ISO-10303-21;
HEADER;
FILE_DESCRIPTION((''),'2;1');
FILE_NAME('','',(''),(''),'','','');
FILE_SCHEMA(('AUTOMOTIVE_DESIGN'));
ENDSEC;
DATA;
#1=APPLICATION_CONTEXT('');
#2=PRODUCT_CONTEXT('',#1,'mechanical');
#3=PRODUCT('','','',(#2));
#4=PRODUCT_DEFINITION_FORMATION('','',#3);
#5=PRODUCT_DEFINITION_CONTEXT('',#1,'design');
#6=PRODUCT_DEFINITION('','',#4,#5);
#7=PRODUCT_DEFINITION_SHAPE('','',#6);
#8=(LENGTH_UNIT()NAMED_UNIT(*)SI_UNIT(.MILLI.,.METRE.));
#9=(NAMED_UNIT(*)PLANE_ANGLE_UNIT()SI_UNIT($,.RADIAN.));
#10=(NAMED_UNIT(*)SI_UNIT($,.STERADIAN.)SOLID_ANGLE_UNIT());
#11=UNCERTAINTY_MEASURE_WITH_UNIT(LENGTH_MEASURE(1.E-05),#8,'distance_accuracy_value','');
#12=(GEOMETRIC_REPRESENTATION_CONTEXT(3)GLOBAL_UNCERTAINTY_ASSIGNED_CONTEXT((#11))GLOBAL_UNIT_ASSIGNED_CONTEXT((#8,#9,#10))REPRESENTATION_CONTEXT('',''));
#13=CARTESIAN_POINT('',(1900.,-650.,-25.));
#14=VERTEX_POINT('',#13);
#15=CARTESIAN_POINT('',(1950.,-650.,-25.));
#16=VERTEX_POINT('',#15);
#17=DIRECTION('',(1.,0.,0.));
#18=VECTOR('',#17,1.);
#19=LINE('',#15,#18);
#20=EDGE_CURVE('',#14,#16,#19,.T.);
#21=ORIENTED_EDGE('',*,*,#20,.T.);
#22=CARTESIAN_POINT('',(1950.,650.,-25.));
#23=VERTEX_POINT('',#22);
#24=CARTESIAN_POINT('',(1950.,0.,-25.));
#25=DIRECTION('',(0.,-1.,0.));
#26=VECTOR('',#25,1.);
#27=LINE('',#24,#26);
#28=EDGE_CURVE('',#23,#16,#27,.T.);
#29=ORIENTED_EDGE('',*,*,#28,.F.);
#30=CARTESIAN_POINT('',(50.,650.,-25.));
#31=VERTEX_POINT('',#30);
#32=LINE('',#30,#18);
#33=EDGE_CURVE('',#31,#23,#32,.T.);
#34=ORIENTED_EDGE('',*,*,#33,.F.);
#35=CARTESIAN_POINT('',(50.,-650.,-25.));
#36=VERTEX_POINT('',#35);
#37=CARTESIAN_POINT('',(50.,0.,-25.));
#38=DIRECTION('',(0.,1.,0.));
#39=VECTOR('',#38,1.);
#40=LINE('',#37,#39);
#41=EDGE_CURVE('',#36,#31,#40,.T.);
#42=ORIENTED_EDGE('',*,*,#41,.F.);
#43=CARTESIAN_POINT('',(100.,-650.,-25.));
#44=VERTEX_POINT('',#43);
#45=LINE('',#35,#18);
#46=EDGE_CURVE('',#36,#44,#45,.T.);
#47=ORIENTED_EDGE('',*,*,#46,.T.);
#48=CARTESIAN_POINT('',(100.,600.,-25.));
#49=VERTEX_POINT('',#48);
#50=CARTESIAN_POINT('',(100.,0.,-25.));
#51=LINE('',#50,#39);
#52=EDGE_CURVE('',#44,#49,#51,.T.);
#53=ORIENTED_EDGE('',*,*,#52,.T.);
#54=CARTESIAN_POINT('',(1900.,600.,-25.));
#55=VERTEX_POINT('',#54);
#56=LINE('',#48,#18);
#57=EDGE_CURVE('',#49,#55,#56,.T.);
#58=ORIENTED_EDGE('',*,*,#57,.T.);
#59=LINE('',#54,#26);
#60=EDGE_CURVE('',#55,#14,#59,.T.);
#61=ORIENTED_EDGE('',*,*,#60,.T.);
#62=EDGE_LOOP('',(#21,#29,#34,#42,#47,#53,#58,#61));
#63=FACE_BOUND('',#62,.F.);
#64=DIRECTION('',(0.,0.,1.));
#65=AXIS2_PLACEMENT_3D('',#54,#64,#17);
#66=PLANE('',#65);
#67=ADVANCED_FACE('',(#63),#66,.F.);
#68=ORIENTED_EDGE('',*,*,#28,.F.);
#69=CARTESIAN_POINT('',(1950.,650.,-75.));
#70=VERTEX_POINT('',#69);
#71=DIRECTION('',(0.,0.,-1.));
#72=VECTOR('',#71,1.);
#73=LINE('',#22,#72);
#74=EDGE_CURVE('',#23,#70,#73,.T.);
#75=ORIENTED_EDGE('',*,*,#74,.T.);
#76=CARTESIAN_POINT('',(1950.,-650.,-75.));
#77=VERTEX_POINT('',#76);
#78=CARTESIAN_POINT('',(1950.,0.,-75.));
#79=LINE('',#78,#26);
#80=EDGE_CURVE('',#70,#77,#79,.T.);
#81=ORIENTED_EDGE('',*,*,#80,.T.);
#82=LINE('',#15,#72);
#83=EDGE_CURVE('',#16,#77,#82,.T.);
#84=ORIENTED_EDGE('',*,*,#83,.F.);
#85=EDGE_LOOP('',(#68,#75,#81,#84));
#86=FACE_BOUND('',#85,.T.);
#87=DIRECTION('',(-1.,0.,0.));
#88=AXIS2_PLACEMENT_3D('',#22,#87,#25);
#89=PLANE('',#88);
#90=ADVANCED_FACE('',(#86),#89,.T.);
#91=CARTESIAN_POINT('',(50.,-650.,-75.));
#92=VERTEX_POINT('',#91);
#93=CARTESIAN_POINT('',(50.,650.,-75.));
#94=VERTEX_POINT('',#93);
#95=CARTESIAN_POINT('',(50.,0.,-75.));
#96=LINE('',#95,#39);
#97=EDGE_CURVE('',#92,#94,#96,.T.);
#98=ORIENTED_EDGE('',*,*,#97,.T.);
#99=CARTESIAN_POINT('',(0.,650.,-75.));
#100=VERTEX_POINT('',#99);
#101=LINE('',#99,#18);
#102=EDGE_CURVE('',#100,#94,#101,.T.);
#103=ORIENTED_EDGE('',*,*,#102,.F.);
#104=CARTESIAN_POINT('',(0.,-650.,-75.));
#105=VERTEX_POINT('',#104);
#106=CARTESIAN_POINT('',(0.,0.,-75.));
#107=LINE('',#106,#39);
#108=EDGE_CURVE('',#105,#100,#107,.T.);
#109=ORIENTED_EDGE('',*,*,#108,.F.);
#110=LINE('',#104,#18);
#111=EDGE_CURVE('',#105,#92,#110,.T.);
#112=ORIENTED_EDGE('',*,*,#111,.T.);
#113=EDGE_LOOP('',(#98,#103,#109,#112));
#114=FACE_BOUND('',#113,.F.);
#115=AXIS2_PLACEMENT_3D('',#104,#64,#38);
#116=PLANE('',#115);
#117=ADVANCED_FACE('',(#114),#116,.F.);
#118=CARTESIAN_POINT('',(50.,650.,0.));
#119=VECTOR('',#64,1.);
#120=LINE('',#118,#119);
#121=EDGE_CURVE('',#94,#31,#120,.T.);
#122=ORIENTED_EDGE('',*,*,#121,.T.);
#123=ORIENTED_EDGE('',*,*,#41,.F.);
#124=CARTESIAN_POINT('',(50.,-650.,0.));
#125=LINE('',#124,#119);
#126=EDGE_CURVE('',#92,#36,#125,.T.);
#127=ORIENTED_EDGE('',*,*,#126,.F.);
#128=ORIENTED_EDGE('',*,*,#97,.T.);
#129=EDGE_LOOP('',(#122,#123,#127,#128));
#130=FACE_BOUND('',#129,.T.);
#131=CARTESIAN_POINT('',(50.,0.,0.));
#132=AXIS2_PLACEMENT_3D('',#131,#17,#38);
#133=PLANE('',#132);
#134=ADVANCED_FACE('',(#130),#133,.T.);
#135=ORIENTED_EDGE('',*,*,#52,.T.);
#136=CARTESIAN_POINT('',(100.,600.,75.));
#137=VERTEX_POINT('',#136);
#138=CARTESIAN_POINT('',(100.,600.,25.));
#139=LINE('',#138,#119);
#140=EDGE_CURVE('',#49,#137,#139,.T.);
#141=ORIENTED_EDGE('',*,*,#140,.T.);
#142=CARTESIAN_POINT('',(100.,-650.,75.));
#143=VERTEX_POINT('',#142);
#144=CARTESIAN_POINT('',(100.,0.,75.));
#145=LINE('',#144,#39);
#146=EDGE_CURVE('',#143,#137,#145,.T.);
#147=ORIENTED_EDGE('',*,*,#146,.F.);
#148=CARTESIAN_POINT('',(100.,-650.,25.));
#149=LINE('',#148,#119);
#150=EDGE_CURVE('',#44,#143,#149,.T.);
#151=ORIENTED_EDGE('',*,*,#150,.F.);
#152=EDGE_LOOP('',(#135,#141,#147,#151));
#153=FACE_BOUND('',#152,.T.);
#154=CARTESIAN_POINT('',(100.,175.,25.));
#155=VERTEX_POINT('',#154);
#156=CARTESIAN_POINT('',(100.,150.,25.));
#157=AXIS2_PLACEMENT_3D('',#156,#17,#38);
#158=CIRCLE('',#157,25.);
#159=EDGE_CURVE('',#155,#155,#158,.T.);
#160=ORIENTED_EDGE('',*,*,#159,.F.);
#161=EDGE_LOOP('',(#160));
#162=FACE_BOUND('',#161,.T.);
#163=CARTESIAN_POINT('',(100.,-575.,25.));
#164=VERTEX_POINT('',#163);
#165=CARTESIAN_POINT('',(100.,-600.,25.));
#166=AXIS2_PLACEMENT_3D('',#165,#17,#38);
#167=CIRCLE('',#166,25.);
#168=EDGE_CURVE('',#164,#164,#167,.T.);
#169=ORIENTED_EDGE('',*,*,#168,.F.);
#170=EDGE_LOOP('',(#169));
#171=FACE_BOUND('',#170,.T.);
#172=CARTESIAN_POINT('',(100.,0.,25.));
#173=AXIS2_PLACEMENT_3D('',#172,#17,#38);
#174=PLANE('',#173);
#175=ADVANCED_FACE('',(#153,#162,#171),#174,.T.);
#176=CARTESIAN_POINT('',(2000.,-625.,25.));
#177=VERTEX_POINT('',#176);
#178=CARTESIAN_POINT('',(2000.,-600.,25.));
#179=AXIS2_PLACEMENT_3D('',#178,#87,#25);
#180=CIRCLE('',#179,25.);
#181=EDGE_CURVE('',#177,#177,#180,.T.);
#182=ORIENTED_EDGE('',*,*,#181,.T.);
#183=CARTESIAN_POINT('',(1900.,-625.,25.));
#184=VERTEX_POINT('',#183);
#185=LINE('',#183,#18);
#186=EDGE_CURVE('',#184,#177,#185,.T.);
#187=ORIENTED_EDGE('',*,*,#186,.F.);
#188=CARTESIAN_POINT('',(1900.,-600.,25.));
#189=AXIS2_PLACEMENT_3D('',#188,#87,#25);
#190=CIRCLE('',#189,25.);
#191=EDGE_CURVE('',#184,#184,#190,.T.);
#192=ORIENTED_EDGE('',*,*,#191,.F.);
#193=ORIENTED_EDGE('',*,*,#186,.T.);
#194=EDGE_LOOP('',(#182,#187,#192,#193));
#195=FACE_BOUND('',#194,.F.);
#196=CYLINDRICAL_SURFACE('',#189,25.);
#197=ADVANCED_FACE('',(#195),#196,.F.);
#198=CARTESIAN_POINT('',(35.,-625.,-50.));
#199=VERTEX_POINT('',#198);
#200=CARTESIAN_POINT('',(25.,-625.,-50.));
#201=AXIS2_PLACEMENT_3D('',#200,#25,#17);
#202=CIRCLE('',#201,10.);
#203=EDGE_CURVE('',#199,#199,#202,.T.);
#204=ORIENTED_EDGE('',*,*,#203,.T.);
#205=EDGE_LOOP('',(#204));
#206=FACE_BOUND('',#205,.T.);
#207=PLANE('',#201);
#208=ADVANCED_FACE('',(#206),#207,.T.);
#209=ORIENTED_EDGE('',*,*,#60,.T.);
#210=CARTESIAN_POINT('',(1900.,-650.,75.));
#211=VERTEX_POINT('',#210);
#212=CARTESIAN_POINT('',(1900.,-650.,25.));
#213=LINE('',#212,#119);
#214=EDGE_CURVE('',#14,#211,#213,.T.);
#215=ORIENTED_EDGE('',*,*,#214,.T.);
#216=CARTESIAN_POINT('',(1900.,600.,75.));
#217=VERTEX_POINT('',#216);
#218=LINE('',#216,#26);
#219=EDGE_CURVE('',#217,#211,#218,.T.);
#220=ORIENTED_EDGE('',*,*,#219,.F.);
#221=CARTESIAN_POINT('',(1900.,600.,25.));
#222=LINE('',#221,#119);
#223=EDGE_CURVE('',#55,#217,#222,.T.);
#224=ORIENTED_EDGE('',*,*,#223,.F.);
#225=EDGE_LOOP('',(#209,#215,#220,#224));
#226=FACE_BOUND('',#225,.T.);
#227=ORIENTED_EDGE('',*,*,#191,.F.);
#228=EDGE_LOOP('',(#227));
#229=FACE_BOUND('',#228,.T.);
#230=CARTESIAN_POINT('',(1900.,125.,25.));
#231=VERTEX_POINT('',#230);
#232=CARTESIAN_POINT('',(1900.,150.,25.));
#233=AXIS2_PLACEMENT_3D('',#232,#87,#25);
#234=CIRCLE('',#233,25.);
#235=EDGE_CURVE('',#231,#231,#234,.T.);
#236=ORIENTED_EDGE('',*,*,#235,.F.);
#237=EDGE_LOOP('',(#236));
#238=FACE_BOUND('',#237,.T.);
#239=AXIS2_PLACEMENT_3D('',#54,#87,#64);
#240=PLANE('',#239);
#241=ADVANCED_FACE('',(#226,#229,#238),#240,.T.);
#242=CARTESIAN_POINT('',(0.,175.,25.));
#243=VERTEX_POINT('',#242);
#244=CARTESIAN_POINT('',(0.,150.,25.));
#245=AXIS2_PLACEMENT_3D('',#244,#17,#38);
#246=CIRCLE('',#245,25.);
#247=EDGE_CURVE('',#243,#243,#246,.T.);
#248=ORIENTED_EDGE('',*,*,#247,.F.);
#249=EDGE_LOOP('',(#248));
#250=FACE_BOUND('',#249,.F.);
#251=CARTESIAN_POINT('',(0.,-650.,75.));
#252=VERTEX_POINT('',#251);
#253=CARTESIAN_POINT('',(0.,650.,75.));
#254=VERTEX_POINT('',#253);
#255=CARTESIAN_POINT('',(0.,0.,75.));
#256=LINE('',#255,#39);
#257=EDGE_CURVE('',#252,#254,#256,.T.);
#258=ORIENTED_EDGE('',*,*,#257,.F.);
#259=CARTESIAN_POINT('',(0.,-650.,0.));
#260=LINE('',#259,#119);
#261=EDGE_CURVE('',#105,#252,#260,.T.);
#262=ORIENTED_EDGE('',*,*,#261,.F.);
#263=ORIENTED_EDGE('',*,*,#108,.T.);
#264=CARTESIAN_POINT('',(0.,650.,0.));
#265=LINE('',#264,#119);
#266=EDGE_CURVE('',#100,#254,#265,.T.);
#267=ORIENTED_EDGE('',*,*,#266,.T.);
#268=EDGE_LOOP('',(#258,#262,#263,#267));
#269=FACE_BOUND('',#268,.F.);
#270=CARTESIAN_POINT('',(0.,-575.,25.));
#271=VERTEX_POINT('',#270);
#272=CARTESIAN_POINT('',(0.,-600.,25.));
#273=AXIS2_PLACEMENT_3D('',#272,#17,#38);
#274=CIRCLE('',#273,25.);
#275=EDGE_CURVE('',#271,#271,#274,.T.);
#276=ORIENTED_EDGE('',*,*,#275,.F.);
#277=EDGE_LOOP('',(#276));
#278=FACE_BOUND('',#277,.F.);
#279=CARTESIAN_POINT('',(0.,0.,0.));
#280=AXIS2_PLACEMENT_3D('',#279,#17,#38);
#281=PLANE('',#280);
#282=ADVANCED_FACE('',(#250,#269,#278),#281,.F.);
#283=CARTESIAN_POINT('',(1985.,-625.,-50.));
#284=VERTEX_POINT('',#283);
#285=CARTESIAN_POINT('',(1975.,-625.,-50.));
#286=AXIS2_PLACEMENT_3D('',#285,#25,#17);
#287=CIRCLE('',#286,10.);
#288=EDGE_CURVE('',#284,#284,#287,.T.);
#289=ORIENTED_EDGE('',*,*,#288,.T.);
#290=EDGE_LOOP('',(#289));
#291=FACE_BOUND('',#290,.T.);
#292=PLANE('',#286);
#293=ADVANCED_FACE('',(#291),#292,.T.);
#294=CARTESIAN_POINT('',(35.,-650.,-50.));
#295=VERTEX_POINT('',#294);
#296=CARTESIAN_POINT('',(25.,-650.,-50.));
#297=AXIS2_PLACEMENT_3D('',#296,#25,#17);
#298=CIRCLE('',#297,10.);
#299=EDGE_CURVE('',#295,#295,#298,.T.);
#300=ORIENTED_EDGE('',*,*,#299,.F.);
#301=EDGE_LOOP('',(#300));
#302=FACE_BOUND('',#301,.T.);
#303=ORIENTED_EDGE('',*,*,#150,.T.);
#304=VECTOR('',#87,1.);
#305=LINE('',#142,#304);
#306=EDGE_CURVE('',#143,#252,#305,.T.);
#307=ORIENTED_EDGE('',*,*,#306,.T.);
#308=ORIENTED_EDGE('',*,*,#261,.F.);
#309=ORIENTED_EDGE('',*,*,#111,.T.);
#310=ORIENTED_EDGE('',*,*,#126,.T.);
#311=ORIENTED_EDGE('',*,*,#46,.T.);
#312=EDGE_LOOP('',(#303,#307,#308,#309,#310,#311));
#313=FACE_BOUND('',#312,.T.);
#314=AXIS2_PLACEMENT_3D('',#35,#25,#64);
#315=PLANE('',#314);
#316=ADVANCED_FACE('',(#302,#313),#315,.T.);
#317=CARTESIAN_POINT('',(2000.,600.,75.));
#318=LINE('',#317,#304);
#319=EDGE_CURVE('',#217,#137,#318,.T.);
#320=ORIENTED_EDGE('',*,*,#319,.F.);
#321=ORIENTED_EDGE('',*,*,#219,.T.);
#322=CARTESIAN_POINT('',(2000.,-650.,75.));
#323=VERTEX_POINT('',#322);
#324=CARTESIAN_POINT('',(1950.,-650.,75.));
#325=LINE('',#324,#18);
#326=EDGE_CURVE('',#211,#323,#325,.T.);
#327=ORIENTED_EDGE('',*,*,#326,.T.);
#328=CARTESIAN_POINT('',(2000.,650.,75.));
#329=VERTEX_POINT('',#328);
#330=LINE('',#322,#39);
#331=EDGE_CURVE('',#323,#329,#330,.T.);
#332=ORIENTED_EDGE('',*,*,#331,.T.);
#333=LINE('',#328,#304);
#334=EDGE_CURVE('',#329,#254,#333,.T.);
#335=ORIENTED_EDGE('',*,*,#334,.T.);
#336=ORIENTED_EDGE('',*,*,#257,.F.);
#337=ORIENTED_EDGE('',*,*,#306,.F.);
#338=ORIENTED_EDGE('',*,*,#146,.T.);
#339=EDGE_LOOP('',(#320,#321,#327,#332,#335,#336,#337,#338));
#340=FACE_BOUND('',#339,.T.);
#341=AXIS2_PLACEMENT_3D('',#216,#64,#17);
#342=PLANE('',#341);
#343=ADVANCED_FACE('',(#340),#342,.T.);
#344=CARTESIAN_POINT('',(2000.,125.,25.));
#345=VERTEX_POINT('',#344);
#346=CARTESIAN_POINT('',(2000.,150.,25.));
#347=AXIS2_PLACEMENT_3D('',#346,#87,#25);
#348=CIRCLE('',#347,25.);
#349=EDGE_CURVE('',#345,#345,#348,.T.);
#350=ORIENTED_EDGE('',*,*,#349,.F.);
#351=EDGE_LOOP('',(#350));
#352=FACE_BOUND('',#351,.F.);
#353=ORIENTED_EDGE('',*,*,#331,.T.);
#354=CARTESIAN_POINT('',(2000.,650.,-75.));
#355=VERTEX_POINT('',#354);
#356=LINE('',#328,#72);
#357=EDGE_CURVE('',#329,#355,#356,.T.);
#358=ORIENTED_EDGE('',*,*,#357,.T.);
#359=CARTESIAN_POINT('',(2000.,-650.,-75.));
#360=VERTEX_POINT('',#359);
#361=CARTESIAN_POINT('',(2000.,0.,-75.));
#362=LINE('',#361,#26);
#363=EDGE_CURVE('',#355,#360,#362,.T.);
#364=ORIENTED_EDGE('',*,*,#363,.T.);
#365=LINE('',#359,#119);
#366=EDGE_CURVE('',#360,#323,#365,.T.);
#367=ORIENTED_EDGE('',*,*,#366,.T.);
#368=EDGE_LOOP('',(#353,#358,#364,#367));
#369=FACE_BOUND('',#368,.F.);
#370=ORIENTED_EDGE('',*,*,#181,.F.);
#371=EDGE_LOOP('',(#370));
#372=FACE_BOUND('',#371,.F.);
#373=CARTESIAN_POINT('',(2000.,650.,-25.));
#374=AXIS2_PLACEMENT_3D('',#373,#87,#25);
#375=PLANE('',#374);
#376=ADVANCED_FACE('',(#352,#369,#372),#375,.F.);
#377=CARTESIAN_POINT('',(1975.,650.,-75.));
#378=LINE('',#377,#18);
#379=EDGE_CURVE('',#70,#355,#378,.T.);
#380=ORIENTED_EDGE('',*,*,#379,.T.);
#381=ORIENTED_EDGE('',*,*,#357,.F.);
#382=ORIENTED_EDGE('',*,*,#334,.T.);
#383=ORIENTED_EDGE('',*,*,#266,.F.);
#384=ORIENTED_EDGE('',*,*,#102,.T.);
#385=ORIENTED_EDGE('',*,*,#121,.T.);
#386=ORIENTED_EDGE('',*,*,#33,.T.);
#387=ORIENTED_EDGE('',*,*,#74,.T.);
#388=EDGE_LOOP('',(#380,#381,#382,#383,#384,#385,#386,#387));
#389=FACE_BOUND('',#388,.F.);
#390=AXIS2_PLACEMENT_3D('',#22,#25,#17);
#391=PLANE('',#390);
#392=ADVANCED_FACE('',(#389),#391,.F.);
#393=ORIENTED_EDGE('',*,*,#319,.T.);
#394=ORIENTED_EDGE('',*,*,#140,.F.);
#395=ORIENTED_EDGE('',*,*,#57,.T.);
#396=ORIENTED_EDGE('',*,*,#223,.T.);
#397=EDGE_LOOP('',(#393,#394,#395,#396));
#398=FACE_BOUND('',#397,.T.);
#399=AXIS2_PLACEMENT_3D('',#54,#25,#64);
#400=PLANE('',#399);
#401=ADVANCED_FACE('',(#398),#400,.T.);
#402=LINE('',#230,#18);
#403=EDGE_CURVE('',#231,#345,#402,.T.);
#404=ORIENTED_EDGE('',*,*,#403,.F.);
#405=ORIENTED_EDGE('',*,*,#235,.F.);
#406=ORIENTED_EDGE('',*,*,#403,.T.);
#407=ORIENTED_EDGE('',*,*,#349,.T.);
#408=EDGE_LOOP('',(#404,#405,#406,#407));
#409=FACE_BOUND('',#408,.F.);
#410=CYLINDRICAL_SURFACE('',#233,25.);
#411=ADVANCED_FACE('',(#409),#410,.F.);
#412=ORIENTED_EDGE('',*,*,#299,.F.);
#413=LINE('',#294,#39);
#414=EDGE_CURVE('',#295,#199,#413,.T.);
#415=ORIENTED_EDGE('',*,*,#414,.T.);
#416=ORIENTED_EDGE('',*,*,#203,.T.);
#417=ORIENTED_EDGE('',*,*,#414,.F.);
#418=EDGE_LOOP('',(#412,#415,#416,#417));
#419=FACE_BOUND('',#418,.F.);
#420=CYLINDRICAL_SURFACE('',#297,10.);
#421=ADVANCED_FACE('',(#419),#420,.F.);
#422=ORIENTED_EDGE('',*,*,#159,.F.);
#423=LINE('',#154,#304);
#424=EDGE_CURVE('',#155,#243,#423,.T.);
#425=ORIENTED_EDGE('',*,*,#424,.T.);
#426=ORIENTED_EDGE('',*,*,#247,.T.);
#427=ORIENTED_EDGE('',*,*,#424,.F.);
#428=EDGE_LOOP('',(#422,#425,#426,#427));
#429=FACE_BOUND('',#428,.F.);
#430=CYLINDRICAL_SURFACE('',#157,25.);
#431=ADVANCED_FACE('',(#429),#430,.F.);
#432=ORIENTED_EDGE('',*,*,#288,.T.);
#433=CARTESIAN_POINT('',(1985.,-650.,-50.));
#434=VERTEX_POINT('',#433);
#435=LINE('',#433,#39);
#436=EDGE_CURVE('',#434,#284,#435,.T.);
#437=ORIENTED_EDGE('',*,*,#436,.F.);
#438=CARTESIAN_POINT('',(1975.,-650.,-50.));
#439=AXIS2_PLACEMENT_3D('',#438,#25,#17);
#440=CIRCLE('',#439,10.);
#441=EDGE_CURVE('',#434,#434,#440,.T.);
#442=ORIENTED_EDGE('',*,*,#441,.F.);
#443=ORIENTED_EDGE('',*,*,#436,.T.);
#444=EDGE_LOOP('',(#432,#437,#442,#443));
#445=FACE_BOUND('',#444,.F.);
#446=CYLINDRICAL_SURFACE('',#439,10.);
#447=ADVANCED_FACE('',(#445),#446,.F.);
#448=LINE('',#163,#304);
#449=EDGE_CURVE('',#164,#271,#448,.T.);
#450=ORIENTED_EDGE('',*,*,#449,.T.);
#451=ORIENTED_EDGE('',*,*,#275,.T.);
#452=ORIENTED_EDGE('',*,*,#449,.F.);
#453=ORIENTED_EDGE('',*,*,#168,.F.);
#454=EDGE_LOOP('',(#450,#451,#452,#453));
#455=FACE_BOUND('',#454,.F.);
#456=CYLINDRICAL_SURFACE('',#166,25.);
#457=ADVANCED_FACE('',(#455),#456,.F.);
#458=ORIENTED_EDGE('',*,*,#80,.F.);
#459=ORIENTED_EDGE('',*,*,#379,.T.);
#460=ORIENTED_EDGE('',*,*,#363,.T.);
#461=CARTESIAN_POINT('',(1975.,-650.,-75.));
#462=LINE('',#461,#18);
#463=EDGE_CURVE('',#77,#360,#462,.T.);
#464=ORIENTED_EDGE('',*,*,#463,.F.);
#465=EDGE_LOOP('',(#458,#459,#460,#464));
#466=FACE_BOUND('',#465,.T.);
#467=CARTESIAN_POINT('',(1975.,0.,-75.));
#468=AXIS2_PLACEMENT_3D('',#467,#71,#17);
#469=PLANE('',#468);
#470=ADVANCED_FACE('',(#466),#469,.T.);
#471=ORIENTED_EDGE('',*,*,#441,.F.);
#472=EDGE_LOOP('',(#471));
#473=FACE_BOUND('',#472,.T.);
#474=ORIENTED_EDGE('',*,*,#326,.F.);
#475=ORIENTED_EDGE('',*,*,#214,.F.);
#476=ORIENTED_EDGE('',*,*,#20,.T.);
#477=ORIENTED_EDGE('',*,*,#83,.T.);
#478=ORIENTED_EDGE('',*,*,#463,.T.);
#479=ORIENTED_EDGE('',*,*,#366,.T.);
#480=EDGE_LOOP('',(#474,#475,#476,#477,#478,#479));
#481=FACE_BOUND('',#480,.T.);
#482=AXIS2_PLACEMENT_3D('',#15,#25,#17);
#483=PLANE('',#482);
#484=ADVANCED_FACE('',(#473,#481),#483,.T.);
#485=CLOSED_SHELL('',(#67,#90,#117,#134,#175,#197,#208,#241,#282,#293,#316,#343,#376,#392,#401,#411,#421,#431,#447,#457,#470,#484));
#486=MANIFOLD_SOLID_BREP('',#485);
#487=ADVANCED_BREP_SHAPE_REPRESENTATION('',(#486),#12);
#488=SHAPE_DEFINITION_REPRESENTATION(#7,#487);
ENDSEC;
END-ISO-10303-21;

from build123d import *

# Parameters (mm, degrees)
F0_W      = 1300
F0_H      = 150
F1_DEPTH  = 50
F2_W      = 1300
F2_H      = 100
F3_DEPTH  = 50
F4_W      = 50
F4_H      = 100
F5_DEPTH  = 1800
F6_DEPTH  = 100
F7_W      = 100
F7_H      = 100
F8_DEPTH  = 1250
F9_W      = 50
F9_H      = 1300
F10_DEPTH = 50
F11_R     = 25
F12_DEPTH = 200
F13_R     = 25
F14_DEPTH = 200
F15_R     = 10
F16_DEPTH = 25
F17_R     = 10
F18_DEPTH = 25


with BuildPart() as f1:
    # F0 (on Right) → F1 (new body)
    with BuildSketch(Plane.YZ):
        Rectangle(F0_W, F0_H)
    extrude(amount=F1_DEPTH)

    # F2 (on face) → F3 (join)
    with BuildSketch(Plane.YZ.offset(50)):
        with Locations((0, 25)):
            Rectangle(F2_W, F2_H)
    extrude(amount=F3_DEPTH)

    # F4 (on face) → F5 (join)
    with BuildSketch(Plane.YZ.offset(100)):
        with Locations((625, 25)):
            Rectangle(F4_W, F4_H)
    extrude(amount=F5_DEPTH)

    # F6 (add): a face of the model
    f6_faces = [f1.faces().sort_by_distance(p)[0] for p in [
        (1900, 625, 25),
    ]]
    extrude(f6_faces, amount=F6_DEPTH)

    # F7 (on face) → F8 (join)
    with BuildSketch(Plane.XZ.offset(-600)):
        with Locations((1950, 25)):
            Rectangle(F7_W, F7_H)
    extrude(amount=F8_DEPTH)

    # F9 (on face) → F10 (join)
    with BuildSketch(Plane(origin=(0, 0, -25), x_dir=(1, 0, 0), z_dir=(0, 0, -1))):
        with Locations((1975, 0)):
            Rectangle(F9_W, F9_H)
    extrude(amount=F10_DEPTH)

    # F11 (on face) → F12 (cut)
    with BuildSketch(Plane.YZ.offset(100)):
        with Locations((150, 25)):
            Circle(F11_R)
        with Locations((-600, 25)):
            Circle(F11_R)
    extrude(amount=-F12_DEPTH, mode=Mode.SUBTRACT)

    # F13 (on face) → F14 (cut)
    with BuildSketch(Plane(origin=(1900, 0, 0), x_dir=(0, -1, 0), z_dir=(-1, 0, 0))):
        with Locations((-150, 25)):
            Circle(F13_R)
        with Locations((600, 25)):
            Circle(F13_R)
    extrude(amount=-F14_DEPTH, mode=Mode.SUBTRACT)

    # F15 (on face) → F16 (cut)
    with BuildSketch(Plane.XZ.offset(650)):
        with Locations((25, -50)):
            Circle(F15_R)
    extrude(amount=-F16_DEPTH, mode=Mode.SUBTRACT)

    # F17 (on face) → F18 (cut)
    with BuildSketch(Plane.XZ.offset(650)):
        with Locations((1975, -50)):
            Circle(F17_R)
    extrude(amount=-F18_DEPTH, mode=Mode.SUBTRACT)


solid = f1.part
